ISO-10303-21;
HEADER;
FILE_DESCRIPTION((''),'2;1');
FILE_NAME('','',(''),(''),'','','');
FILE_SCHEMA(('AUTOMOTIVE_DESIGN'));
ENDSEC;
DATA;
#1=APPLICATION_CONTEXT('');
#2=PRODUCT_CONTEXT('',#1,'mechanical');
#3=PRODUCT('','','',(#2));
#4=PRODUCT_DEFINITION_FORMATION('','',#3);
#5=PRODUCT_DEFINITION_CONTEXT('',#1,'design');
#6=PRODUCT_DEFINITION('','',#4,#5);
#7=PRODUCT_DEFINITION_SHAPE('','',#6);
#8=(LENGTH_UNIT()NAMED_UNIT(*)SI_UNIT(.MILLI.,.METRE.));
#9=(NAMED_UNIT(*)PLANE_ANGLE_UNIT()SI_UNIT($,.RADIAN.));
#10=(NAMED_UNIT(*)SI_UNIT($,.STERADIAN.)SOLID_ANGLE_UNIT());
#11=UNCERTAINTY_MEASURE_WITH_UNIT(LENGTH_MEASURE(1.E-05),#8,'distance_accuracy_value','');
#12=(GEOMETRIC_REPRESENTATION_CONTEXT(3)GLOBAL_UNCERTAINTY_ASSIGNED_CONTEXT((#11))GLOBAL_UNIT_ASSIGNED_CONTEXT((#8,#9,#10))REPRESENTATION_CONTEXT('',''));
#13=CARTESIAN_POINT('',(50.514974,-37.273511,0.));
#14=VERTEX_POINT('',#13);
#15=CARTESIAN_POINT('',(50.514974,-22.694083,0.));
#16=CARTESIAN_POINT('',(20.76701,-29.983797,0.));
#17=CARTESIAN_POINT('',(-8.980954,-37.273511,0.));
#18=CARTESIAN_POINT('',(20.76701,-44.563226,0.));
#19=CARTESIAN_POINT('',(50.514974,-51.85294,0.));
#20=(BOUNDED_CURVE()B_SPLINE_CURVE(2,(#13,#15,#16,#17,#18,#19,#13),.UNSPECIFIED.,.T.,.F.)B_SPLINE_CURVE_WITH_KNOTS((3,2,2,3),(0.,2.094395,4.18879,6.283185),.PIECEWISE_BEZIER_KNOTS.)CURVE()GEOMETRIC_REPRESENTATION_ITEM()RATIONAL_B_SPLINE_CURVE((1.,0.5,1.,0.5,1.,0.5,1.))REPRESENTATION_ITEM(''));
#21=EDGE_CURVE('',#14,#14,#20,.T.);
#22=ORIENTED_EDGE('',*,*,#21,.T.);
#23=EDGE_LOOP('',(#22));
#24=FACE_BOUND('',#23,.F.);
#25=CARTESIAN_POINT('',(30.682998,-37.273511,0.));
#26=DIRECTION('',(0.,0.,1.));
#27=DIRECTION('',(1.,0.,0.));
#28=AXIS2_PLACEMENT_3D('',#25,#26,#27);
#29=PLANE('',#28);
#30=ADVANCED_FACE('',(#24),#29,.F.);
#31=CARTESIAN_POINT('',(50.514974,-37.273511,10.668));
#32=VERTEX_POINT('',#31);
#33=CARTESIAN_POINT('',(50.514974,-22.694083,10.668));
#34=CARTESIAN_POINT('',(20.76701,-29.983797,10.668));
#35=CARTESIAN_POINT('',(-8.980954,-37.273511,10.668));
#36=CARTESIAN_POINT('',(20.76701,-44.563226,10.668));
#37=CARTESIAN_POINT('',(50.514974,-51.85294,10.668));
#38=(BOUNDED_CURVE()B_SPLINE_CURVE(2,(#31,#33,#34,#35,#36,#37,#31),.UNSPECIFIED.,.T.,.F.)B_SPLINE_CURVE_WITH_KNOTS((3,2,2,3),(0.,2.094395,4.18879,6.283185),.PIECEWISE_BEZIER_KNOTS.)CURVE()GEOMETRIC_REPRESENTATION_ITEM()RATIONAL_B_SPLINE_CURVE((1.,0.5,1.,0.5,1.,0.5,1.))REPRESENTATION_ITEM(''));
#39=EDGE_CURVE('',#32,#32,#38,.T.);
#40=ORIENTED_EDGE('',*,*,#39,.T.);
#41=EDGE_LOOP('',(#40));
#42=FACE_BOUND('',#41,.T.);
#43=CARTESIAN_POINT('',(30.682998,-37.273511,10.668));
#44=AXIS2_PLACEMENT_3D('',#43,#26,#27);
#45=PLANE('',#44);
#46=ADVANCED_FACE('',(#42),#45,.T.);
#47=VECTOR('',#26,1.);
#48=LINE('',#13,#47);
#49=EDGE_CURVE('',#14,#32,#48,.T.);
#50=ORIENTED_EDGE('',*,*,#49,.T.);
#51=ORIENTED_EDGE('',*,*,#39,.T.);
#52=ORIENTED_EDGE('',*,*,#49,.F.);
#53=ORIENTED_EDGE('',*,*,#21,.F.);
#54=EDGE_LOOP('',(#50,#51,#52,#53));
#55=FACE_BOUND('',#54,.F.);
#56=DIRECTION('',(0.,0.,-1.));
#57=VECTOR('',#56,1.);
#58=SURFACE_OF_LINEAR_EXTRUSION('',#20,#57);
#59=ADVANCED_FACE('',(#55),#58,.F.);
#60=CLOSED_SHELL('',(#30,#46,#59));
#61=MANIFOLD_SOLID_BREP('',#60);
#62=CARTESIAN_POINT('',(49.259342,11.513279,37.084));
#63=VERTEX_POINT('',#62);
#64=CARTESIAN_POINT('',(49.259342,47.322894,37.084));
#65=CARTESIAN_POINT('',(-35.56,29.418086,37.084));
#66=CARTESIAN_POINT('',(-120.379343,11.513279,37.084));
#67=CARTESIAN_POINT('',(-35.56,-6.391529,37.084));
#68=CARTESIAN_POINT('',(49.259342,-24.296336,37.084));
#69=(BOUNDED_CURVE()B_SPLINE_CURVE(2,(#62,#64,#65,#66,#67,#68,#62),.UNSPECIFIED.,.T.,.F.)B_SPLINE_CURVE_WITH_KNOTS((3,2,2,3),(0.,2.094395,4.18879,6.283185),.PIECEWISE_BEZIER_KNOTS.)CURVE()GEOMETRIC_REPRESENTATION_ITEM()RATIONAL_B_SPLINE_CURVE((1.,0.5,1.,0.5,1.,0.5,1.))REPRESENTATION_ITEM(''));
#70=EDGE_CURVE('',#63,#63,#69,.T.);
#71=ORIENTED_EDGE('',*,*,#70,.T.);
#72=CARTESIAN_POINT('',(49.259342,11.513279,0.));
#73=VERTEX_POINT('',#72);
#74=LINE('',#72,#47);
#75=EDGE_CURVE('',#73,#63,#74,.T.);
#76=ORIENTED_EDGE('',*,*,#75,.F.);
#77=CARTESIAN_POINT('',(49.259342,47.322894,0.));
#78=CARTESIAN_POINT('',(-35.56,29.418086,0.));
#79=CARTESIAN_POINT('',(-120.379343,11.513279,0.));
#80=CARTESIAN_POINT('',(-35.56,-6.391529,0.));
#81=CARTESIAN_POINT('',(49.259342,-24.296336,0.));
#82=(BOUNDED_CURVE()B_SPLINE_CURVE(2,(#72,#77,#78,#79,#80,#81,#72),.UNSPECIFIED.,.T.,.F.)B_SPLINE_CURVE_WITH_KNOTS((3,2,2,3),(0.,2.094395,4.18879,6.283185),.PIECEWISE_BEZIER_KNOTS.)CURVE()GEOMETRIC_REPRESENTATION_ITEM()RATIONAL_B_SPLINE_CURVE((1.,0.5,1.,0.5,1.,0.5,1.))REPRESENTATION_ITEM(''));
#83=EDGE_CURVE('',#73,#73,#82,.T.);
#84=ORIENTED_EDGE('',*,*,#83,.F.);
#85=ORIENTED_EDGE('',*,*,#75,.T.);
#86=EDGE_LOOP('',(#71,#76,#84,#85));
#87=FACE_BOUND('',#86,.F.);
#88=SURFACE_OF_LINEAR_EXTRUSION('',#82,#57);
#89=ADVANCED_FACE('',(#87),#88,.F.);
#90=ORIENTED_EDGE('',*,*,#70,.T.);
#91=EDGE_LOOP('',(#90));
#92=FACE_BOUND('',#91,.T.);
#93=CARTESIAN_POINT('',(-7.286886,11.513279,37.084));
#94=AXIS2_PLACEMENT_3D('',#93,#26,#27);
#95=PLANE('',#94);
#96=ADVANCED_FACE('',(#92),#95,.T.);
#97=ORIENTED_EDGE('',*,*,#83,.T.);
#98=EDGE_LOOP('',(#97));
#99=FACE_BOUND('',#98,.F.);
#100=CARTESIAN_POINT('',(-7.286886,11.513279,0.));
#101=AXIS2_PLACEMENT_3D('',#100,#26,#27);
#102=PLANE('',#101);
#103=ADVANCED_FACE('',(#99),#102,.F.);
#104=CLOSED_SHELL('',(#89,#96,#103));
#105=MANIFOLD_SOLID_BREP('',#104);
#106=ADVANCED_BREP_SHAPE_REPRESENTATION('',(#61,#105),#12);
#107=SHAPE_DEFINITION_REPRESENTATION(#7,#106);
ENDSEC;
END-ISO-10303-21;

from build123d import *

# Parameters (mm, degrees)
F1_DEPTH = 37.084
F3_DEPTH = 10.668


with BuildPart() as f1:
    # F0 (on Top) → F1 (new body)
    with BuildSketch(Plane.XY):
        with BuildLine():
            add(Edge.make_bspline(
                [(49.259342, 11.513279), (49.259342, 47.322894), (-35.56, 29.418086), (-120.379343, 11.513279), (-35.56, -6.391529), (49.259342, -24.296336), (49.259342, 11.513279)],
                knots=[0, 0, 0, 2.094395, 2.094395, 4.18879, 4.18879, 6.283185, 6.283185, 6.283185], degree=2, weights=[1, 0.5, 1, 0.5, 1, 0.5, 1]))
        make_face()
    extrude(amount=F1_DEPTH)


with BuildPart() as f3:
    # F2 (on Top) → F3 (new body)
    with BuildSketch(Plane.XY):
        with BuildLine():
            add(Edge.make_bspline(
                [(50.514974, -37.273511), (50.514974, -22.694083), (20.76701, -29.983797), (-8.980954, -37.273511), (20.76701, -44.563226), (50.514974, -51.85294), (50.514974, -37.273511)],
                knots=[0, 0, 0, 2.094395, 2.094395, 4.18879, 4.18879, 6.283185, 6.283185, 6.283185], degree=2, weights=[1, 0.5, 1, 0.5, 1, 0.5, 1]))
        make_face()
    extrude(amount=F3_DEPTH)


solid = Compound([f1.part, f3.part])
